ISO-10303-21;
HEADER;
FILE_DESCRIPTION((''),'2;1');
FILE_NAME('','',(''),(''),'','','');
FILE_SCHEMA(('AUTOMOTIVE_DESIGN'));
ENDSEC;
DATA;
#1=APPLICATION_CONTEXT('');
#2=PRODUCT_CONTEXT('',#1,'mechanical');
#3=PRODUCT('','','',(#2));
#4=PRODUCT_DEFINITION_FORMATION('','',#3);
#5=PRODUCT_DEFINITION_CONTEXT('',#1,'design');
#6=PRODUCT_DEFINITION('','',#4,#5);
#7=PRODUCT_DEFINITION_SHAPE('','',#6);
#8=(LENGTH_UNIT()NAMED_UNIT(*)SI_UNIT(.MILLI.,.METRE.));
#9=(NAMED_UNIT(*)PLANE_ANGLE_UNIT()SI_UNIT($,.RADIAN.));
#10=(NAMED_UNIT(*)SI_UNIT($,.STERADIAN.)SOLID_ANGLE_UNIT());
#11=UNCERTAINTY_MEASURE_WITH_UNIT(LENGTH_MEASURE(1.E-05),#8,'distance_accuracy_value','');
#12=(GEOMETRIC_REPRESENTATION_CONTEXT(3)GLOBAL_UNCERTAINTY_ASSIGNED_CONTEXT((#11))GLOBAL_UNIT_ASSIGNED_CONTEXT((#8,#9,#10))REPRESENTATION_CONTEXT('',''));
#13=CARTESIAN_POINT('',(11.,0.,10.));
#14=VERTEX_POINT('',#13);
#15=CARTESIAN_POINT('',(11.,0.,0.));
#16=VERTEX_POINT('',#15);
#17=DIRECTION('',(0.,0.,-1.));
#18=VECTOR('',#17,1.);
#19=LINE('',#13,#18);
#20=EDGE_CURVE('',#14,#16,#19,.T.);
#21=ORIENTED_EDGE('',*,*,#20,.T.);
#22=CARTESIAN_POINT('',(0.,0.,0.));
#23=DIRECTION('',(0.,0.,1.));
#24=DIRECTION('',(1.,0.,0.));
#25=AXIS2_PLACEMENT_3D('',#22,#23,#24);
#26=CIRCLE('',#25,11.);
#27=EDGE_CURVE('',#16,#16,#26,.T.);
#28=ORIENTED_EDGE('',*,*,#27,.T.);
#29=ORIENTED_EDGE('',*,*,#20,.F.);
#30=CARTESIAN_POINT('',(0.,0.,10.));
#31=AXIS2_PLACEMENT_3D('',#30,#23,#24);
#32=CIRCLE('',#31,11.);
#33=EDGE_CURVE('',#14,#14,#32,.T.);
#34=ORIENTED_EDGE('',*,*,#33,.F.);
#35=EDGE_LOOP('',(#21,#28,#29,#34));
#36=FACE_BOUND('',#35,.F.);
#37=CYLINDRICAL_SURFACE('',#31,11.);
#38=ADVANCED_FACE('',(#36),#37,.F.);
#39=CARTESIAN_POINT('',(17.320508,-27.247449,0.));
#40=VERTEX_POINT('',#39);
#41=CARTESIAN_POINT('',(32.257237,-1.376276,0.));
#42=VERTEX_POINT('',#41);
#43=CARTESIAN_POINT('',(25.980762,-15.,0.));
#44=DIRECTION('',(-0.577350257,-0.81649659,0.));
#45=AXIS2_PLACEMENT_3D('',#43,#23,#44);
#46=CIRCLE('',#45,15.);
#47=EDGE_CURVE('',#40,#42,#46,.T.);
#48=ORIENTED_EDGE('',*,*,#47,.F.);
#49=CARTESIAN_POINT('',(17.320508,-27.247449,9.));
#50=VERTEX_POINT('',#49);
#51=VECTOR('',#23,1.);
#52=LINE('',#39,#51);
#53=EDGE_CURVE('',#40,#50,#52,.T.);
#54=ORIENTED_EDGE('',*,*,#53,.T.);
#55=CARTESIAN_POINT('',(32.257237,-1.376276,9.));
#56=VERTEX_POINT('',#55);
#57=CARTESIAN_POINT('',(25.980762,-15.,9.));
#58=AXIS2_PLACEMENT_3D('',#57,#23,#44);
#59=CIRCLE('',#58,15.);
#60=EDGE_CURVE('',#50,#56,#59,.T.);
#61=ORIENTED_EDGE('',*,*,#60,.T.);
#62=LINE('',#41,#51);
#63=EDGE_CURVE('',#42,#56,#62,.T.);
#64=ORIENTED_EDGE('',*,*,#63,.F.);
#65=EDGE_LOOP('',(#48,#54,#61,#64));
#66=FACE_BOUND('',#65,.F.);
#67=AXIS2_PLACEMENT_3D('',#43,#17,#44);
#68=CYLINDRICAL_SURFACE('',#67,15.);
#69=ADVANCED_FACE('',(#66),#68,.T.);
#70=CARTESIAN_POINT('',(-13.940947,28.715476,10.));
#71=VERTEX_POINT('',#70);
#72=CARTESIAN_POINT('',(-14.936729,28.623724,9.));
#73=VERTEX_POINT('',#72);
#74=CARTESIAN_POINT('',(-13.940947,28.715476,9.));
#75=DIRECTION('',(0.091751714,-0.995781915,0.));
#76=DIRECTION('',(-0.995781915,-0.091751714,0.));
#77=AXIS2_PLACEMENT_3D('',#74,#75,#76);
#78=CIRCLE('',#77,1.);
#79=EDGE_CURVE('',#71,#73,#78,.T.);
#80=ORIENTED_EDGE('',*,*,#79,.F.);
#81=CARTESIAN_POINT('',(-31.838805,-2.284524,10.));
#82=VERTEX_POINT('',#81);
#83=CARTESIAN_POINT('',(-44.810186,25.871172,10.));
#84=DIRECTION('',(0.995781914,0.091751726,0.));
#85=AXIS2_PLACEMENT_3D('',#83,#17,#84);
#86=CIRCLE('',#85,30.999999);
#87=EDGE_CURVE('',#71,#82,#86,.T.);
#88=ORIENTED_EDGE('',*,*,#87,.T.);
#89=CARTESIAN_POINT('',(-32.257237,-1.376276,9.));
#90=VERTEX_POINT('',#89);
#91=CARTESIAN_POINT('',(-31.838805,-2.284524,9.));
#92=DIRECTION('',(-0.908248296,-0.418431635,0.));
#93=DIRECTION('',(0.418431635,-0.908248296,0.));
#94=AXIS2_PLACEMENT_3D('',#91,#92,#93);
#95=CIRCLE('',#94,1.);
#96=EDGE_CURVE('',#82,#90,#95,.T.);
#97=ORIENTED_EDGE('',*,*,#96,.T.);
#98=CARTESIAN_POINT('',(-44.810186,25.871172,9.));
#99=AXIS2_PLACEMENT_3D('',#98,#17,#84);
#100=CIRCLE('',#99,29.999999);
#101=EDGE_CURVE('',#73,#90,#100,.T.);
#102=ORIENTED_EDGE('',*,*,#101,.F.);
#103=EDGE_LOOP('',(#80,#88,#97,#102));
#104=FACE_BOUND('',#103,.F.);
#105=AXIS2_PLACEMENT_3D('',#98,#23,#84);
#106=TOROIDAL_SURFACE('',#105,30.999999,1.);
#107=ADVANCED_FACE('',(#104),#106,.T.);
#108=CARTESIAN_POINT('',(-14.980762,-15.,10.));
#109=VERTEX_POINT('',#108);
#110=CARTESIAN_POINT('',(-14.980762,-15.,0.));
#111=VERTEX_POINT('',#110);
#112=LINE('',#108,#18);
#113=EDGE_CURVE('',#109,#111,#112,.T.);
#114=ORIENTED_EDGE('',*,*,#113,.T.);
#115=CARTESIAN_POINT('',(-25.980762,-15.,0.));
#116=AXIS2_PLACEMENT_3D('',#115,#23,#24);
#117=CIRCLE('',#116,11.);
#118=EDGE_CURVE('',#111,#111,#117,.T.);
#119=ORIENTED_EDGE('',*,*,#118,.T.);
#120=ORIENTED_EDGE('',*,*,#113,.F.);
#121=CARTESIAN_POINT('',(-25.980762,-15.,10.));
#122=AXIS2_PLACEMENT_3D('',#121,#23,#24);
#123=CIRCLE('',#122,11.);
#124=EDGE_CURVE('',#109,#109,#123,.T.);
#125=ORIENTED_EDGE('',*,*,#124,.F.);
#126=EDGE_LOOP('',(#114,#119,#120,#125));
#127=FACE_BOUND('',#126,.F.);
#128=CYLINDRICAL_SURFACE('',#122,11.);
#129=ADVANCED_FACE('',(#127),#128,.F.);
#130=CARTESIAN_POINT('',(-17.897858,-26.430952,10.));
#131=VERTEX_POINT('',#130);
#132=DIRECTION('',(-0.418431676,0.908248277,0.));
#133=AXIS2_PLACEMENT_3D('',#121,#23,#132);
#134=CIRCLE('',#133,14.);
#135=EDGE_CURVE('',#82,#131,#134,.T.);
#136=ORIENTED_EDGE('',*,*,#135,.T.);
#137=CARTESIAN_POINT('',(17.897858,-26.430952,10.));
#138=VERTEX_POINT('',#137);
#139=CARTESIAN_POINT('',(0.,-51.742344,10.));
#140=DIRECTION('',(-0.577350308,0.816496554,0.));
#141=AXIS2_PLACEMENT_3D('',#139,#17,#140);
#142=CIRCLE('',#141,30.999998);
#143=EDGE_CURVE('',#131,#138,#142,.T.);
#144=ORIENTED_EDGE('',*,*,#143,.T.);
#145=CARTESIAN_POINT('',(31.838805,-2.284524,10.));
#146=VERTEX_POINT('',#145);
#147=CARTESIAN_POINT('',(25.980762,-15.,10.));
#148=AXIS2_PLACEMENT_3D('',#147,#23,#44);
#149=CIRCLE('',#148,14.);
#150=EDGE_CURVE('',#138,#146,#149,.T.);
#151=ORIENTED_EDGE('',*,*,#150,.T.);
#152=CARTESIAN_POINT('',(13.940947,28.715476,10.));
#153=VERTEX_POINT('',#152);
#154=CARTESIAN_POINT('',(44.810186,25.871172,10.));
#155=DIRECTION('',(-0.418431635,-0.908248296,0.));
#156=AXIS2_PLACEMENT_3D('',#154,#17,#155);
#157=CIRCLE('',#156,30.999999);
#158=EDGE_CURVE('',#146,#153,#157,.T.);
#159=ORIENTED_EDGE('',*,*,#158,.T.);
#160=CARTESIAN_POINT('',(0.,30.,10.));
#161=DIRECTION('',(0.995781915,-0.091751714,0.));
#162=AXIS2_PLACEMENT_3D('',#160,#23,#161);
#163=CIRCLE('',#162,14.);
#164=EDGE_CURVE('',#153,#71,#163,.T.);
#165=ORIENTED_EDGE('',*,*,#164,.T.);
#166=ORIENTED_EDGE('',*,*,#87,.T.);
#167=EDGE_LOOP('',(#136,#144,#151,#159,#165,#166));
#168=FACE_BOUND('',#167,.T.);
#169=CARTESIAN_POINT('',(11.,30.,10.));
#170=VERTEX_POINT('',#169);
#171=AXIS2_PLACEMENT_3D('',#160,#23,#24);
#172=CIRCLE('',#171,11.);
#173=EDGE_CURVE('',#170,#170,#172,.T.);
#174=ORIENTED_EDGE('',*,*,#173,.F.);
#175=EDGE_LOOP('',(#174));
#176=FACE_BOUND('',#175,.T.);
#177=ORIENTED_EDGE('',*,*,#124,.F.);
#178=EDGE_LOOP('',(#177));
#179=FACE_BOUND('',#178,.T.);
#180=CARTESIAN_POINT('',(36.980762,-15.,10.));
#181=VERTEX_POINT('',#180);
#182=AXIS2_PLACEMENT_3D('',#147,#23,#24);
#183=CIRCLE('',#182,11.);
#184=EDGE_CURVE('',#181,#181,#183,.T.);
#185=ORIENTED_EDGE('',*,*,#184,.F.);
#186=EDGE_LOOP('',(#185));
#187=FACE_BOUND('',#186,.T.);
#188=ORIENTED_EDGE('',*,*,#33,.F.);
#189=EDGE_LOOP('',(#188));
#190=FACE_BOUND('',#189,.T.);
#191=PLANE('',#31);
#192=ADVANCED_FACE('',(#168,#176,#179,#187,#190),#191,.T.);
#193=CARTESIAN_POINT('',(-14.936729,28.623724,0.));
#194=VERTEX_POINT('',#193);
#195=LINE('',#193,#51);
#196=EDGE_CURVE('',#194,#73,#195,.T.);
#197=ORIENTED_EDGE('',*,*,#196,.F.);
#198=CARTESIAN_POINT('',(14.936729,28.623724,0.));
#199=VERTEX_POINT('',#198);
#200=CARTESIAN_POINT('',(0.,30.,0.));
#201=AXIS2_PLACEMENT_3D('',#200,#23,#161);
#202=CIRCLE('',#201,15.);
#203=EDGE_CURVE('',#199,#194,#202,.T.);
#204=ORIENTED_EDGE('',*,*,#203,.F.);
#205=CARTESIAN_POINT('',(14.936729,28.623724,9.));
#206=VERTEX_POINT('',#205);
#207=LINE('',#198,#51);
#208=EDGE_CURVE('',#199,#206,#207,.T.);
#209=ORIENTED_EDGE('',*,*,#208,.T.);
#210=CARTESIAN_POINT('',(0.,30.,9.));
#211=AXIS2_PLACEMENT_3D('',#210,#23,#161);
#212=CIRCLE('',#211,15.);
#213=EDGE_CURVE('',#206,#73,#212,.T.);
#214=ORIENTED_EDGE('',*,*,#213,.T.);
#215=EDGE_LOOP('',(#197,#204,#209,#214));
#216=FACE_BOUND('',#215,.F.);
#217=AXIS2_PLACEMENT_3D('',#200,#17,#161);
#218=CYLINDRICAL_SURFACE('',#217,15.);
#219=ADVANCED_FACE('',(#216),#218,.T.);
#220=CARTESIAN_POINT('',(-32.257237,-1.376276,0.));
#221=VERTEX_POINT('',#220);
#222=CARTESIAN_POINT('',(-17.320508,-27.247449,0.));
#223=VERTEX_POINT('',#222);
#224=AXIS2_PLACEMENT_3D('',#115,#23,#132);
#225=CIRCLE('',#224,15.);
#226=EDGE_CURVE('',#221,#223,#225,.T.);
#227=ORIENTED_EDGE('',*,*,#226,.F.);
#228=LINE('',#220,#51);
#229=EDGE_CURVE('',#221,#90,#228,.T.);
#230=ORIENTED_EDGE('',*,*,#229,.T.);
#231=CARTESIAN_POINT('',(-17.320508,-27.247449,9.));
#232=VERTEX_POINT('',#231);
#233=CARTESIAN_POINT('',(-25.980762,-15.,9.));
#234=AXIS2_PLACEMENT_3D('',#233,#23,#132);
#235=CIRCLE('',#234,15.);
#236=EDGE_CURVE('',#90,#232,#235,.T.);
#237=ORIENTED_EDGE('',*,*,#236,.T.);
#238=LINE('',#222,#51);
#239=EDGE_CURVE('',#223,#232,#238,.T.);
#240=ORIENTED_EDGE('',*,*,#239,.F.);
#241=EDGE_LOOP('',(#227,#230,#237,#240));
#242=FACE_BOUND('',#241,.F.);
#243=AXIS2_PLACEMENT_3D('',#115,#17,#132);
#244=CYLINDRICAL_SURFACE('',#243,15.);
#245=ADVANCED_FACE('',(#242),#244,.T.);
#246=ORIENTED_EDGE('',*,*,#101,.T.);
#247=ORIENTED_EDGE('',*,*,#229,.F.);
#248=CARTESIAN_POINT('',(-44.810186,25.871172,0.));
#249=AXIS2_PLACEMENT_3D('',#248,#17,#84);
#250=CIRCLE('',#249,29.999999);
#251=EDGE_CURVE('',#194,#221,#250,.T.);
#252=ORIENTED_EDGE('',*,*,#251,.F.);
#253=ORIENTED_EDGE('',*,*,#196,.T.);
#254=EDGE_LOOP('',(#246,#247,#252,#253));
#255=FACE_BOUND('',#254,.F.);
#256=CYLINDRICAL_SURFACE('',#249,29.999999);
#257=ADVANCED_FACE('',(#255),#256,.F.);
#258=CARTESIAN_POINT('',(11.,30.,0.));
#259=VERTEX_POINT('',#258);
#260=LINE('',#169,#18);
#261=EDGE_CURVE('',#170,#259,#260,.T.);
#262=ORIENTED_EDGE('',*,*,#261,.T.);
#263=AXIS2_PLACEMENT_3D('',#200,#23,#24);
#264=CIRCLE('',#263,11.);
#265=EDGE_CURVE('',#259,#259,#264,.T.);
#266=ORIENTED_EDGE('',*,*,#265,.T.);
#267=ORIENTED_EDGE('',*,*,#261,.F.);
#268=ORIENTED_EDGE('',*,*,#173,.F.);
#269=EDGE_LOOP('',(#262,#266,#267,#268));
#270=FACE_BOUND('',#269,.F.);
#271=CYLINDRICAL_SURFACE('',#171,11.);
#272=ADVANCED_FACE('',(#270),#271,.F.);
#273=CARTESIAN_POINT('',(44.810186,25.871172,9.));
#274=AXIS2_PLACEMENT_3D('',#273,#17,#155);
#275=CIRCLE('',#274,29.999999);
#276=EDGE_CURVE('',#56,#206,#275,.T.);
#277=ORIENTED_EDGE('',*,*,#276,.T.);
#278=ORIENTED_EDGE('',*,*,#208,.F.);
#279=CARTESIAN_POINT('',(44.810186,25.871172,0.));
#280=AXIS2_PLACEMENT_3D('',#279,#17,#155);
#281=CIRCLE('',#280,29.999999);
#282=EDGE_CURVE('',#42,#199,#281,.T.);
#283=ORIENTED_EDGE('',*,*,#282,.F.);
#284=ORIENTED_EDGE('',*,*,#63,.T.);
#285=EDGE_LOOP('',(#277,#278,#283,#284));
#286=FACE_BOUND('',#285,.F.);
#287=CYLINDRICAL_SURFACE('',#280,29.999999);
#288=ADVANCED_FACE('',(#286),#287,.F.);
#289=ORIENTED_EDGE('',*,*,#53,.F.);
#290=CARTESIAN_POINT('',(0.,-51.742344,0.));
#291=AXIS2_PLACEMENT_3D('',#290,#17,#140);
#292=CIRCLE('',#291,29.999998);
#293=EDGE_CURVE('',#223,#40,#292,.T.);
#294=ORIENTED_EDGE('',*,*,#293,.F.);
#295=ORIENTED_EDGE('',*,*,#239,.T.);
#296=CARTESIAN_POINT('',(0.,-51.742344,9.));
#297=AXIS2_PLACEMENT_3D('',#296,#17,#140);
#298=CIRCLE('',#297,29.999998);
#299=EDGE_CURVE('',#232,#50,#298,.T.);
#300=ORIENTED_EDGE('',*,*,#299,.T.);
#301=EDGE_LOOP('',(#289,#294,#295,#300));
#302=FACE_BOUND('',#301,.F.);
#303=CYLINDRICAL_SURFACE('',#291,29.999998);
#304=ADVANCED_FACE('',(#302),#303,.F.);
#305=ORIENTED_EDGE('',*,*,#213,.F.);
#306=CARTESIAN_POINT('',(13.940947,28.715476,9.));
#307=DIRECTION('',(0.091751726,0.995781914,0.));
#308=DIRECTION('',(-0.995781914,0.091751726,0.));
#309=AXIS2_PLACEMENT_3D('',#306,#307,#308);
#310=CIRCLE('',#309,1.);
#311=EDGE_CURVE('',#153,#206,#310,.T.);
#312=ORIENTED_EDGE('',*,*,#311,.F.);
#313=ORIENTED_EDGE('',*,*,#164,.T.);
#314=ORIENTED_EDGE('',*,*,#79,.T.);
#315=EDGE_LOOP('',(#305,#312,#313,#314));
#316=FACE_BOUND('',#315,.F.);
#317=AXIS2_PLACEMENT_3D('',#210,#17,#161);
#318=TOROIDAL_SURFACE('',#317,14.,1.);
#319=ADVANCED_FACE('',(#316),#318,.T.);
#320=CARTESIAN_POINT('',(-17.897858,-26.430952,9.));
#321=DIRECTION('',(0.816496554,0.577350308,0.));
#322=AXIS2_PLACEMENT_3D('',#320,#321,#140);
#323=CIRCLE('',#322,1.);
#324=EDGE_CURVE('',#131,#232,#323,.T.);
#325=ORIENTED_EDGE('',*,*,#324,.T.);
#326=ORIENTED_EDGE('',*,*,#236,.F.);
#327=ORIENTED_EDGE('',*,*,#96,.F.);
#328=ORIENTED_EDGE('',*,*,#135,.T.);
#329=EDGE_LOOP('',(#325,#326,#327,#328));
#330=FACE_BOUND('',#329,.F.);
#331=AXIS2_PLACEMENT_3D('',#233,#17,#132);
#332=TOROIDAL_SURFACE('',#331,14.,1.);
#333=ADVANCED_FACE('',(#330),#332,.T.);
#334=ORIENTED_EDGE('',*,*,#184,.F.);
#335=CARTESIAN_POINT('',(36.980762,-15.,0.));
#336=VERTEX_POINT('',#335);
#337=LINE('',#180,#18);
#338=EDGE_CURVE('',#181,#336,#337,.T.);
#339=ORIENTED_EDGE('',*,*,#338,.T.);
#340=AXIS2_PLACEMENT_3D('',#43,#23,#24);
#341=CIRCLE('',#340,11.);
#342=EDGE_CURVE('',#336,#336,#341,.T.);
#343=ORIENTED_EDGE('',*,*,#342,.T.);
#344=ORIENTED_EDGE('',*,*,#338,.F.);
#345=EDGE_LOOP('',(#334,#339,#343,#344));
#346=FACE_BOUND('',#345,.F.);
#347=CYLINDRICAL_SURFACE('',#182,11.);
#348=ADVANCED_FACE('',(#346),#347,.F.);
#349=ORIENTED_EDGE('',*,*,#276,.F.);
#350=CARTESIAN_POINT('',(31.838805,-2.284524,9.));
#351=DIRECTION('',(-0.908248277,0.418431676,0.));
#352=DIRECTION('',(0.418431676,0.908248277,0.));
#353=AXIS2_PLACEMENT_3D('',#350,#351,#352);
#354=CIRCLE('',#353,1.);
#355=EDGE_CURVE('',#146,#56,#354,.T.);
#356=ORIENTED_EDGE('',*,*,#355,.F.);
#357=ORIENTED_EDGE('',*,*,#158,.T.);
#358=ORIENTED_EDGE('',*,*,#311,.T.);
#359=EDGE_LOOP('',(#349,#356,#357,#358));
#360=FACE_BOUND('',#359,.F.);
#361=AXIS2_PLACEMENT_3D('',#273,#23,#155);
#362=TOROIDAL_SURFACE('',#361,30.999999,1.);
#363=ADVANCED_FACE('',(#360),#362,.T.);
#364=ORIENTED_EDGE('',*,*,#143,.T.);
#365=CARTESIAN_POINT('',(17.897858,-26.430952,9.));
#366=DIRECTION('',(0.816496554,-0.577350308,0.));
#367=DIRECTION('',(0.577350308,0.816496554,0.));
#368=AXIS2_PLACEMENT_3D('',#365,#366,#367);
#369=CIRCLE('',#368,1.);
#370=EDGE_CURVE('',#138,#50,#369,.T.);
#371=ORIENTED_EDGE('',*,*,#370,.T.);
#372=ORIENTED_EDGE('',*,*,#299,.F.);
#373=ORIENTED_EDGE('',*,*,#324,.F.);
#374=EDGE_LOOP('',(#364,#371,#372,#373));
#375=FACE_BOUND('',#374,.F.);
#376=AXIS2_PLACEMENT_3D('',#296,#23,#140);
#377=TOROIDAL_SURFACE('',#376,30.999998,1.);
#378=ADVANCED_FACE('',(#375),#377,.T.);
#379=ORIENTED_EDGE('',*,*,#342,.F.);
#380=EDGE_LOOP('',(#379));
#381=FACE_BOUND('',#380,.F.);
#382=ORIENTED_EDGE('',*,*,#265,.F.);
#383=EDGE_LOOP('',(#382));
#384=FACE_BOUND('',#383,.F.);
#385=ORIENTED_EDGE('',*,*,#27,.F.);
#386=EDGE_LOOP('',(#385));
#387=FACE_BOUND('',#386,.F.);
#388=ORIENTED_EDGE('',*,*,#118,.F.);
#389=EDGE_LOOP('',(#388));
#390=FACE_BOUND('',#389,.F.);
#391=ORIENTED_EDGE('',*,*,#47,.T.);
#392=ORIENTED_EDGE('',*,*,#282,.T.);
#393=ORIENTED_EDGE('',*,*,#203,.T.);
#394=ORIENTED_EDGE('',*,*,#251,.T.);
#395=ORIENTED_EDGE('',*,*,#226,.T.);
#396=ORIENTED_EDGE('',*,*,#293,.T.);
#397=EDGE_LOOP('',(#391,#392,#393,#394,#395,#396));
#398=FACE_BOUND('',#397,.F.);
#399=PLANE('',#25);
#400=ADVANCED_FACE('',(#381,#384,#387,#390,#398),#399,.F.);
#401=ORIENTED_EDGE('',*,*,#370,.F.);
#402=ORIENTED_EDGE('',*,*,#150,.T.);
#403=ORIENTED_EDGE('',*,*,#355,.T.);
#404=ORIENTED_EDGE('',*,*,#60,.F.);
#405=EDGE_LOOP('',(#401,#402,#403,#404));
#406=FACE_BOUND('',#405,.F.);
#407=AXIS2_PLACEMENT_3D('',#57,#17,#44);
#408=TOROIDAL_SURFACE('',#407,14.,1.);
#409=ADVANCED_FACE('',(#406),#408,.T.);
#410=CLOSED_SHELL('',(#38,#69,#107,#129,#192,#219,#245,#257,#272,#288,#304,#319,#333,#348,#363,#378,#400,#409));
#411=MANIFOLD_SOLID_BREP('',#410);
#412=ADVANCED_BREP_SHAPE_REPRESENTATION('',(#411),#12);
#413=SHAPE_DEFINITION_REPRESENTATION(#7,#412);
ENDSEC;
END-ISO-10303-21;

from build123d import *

# Parameters (mm, degrees)
F1_DEPTH = 10
F2_R     = 11
F3_DEPTH = 10.001
F4_R     = 1


with BuildPart() as f1:
    # F0 (on Top) → F1 (new body)
    with BuildSketch(Plane.XY):
        with BuildLine():
            ThreePointArc((32.257237, -1.376276), (18.829424, 10.871173), (14.936729, 28.623724))
            ThreePointArc((14.936729, 28.623724), (0, 45), (-14.936729, 28.623724))
            ThreePointArc((-14.936729, 28.623724), (-18.829424, 10.871173), (-32.257237, -1.376276))
            ThreePointArc((-32.257237, -1.376276), (-38.971143, -22.5), (-17.320508, -27.247449))
            ThreePointArc((-17.320508, -27.247449), (0, -21.742346), (17.320508, -27.247449))
            ThreePointArc((17.320508, -27.247449), (38.971143, -22.5), (32.257237, -1.376276))
        make_face()
    extrude(amount=F1_DEPTH)

    # F2 (on face) → F3 (cut, through all)
    with BuildSketch(Plane.XY.offset(10)):
        with Locations((-25.980762, -15)):
            Circle(F2_R)
        Circle(F2_R)
        with Locations((0, 30)):
            Circle(F2_R)
        with Locations((25.980762, -15)):
            Circle(F2_R)
    extrude(amount=-F3_DEPTH, mode=Mode.SUBTRACT)

    # F4
    f4_edges = [f1.edges().sort_by_distance(p)[0] for p in [
        (0, -21.742346, 10),
    ]]
    fillet(f4_edges, radius=F4_R)


solid = f1.part
